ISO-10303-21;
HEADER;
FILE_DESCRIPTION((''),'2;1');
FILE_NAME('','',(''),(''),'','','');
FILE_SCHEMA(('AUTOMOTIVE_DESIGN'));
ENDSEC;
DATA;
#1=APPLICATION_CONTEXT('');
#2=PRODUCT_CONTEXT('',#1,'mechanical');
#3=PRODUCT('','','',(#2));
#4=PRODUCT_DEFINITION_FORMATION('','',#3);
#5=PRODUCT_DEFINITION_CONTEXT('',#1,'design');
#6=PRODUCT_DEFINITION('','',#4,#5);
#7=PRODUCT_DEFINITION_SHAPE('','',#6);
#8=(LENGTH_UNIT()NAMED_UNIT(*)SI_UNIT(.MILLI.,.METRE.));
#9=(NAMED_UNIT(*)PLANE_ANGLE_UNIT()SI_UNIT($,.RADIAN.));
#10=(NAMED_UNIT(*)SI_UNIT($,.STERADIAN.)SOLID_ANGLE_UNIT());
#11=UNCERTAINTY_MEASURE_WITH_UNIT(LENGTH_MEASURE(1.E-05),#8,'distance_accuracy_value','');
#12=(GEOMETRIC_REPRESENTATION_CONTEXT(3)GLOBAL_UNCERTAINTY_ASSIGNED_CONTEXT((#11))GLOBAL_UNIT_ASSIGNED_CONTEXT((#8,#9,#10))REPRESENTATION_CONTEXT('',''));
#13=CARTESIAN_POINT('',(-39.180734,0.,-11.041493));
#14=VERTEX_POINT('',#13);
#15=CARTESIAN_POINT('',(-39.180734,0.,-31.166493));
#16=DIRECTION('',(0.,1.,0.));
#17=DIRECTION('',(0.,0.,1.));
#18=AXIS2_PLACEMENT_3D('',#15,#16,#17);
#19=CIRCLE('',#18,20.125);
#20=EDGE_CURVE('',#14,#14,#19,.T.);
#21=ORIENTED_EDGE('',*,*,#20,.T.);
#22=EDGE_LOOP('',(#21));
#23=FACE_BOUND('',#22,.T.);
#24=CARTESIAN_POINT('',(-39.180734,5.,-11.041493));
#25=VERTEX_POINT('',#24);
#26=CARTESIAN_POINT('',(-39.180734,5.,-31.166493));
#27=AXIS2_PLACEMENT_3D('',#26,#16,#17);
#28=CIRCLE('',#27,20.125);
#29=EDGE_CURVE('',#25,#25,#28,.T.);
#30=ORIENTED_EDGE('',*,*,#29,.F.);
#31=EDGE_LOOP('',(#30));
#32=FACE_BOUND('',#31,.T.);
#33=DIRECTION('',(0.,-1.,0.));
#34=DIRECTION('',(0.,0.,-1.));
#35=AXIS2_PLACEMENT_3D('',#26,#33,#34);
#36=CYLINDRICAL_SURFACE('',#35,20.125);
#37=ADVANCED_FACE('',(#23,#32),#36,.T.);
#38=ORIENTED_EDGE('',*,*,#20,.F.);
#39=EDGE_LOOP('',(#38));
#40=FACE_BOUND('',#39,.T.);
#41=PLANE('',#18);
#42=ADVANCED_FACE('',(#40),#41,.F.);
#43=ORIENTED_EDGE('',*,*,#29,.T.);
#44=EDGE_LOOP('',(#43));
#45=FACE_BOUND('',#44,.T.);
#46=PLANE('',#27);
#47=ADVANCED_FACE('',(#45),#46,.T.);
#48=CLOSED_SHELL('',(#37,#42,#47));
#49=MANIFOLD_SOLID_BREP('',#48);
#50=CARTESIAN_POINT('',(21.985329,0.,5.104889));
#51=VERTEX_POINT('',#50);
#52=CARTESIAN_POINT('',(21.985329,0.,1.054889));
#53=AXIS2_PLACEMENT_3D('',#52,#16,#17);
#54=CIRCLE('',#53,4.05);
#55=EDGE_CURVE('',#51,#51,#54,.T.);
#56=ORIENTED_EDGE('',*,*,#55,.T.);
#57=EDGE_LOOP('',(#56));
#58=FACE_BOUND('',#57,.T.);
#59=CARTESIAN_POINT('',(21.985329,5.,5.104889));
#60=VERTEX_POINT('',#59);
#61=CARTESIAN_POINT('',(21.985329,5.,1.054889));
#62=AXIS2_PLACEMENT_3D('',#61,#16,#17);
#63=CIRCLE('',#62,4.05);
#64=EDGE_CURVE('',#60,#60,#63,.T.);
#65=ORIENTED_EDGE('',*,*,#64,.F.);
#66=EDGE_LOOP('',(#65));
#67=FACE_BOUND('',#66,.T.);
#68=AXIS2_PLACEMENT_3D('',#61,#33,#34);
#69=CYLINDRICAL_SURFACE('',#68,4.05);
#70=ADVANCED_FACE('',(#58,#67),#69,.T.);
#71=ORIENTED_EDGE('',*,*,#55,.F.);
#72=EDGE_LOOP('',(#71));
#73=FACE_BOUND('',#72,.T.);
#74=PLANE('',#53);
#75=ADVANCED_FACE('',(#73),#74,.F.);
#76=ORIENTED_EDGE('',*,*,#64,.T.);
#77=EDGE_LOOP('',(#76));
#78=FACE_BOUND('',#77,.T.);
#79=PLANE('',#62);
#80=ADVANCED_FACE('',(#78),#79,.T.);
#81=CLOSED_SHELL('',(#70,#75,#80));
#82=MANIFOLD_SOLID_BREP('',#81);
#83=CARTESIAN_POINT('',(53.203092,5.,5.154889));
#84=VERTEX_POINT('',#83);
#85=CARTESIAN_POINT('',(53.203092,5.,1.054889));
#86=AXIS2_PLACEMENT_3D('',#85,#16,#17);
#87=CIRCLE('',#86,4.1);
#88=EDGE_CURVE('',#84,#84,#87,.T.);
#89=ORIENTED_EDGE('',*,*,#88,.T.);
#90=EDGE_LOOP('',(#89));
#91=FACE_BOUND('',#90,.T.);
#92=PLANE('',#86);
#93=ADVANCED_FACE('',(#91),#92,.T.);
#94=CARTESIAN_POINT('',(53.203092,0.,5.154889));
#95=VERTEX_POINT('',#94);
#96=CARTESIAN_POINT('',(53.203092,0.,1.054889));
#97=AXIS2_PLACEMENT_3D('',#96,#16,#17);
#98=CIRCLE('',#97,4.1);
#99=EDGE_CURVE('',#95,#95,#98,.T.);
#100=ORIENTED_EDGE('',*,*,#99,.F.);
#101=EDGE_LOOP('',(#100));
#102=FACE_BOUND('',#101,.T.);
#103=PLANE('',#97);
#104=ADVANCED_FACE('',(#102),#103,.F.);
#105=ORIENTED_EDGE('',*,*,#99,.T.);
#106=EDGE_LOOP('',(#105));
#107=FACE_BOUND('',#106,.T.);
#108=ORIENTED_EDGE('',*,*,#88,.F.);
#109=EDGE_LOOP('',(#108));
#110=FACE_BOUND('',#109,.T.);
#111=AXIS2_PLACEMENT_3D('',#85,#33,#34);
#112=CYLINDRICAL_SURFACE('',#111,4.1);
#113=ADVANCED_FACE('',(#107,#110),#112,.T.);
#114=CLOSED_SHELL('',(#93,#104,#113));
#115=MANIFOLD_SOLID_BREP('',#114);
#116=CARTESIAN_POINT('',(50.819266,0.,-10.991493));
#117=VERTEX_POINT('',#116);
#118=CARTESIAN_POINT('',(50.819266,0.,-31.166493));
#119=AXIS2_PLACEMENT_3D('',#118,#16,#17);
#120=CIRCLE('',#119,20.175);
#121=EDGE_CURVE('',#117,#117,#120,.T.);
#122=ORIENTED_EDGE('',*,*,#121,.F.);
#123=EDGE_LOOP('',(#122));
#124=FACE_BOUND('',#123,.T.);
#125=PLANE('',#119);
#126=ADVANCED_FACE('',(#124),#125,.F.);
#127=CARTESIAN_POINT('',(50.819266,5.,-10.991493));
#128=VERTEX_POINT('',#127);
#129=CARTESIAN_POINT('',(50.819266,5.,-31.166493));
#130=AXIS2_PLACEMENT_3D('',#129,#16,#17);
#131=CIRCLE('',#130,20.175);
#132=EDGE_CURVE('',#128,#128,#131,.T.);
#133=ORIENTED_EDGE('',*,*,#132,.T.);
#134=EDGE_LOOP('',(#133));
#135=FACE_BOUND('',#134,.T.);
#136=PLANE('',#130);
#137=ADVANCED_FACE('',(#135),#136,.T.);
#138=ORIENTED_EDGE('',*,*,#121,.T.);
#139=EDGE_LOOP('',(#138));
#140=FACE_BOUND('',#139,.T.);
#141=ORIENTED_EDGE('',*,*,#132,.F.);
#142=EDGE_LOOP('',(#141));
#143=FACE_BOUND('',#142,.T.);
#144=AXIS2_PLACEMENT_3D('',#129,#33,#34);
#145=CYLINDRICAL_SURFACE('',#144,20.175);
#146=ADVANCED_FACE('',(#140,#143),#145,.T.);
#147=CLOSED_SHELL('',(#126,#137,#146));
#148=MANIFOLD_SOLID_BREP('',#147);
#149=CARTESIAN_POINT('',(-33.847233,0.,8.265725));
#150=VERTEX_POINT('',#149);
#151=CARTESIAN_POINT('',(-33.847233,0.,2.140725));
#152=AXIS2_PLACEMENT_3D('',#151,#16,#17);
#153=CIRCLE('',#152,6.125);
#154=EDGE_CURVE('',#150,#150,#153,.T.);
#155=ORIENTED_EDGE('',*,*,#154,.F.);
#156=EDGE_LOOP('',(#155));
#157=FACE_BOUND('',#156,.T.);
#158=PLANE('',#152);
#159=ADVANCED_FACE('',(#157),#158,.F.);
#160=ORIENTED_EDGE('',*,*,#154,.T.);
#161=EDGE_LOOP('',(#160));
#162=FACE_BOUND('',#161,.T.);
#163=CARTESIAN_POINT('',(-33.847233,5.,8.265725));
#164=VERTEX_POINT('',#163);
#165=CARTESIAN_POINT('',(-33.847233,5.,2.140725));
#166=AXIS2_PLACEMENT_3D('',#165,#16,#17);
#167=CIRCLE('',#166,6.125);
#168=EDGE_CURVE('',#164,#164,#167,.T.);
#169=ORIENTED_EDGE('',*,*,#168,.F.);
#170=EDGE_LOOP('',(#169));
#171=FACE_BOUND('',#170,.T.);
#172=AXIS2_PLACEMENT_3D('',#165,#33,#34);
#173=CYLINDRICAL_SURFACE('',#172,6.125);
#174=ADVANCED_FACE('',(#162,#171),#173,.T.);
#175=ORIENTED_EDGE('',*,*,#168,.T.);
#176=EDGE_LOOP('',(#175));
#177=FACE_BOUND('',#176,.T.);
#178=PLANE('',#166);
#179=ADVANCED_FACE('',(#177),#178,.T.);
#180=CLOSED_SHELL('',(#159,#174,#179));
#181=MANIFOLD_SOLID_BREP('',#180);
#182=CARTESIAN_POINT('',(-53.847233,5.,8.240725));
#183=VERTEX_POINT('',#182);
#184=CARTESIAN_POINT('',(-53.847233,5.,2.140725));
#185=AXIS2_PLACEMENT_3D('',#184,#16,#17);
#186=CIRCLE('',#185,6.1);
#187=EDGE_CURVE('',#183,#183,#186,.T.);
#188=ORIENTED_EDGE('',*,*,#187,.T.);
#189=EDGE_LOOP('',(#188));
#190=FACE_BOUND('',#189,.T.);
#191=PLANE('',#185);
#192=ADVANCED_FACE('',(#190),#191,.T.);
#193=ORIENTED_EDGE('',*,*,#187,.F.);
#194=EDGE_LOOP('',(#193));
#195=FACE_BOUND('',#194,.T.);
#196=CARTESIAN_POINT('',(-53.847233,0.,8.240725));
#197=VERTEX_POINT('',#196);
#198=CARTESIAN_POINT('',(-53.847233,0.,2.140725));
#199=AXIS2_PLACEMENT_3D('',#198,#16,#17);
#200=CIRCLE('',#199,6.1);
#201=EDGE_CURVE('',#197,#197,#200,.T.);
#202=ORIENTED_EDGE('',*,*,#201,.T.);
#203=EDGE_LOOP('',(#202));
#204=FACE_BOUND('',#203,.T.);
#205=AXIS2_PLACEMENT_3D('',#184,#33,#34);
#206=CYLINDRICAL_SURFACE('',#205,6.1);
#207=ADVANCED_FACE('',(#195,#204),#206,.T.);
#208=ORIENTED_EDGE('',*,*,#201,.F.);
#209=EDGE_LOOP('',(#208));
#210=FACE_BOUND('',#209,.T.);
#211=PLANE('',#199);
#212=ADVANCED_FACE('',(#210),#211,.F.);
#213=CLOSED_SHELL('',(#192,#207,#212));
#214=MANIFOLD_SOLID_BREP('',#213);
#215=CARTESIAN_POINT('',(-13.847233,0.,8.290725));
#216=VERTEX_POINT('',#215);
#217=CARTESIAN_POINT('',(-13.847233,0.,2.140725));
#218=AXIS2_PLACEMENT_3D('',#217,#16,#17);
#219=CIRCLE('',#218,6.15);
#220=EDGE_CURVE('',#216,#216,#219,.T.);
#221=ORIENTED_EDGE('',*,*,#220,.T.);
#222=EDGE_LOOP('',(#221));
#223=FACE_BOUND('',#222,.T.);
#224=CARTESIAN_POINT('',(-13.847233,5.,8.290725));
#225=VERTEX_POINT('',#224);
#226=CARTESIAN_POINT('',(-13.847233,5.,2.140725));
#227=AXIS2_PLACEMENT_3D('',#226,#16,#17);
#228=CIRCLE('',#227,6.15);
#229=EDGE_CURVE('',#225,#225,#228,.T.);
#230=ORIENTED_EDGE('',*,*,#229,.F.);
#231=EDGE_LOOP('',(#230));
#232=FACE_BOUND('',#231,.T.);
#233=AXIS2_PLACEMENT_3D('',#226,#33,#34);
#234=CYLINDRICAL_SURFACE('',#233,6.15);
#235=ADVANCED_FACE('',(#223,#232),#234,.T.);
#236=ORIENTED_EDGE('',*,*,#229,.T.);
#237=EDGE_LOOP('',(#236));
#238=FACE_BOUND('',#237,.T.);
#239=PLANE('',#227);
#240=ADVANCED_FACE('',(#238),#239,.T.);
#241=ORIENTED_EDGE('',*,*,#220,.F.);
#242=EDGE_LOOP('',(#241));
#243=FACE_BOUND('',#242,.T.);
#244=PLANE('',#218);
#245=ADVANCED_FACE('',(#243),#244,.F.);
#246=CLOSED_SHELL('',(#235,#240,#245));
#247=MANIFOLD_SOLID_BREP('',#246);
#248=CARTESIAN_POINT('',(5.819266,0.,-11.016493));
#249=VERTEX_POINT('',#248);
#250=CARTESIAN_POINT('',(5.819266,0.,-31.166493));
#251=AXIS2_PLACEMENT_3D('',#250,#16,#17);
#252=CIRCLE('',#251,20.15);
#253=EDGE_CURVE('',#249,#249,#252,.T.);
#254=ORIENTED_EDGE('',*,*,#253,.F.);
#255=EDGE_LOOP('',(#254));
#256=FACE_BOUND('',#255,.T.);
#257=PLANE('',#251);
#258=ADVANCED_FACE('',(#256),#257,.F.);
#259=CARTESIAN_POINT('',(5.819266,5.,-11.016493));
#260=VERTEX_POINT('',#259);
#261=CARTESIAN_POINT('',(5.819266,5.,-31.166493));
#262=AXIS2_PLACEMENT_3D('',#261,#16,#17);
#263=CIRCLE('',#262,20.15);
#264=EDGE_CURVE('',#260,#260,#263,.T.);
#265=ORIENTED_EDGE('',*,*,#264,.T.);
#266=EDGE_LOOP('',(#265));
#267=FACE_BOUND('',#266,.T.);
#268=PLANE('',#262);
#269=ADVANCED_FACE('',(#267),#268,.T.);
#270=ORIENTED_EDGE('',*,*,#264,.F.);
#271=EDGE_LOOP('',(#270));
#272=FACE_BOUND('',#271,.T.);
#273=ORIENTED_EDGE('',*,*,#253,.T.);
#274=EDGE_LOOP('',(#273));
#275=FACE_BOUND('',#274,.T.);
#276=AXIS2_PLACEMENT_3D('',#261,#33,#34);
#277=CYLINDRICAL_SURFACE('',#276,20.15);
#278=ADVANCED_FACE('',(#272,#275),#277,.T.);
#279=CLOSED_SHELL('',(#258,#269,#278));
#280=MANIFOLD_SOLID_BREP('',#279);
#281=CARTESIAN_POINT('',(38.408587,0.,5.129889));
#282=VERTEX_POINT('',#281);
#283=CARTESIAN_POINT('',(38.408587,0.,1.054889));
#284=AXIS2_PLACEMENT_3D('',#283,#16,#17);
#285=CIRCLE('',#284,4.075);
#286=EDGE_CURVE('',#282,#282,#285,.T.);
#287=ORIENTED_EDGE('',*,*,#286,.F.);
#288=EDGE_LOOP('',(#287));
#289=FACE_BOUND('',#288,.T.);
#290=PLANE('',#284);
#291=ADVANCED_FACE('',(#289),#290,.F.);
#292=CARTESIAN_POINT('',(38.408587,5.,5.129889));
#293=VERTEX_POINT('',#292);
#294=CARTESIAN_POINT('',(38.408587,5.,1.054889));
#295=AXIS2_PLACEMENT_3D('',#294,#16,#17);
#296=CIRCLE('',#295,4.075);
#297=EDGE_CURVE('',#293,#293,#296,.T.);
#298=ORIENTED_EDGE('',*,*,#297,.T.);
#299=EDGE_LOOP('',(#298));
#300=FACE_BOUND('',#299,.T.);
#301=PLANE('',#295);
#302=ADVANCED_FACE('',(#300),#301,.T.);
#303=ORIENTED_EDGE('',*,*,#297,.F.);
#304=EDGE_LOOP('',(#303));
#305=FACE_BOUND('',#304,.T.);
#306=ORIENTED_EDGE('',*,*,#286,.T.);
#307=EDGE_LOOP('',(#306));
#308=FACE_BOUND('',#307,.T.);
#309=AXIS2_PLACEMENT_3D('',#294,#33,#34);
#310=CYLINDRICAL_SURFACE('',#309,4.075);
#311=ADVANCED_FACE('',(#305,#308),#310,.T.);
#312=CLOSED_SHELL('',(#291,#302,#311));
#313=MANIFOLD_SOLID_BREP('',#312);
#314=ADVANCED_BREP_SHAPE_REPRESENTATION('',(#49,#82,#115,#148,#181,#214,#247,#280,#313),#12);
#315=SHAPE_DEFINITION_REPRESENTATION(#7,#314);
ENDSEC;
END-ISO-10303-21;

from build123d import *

# Parameters (mm, degrees)
SKETCH1_R             = 20.125
BOSS_EXTRUDE1_DEPTH   = 5
SKETCH1_R_2           = 20.15
BOSS_EXTRUDE1_2_DEPTH = 5
SKETCH1_R_3           = 20.175
BOSS_EXTRUDE1_3_DEPTH = 5
SKETCH1_R_4           = 6.1
BOSS_EXTRUDE1_4_DEPTH = 5
SKETCH1_R_5           = 6.125
BOSS_EXTRUDE1_5_DEPTH = 5
SKETCH1_R_6           = 6.15
BOSS_EXTRUDE1_6_DEPTH = 5
SKETCH1_R_7           = 4.05
BOSS_EXTRUDE1_7_DEPTH = 5
SKETCH1_R_8           = 4.075
BOSS_EXTRUDE1_8_DEPTH = 5
SKETCH1_R_9           = 4.1
BOSS_EXTRUDE1_9_DEPTH = 5


with BuildPart() as part:
    # Sketch1 → Boss-Extrude1 (new body)
    with BuildSketch(Plane(origin=(0, 0, 0), x_dir=(1, 0, 0), z_dir=(0, 1, 0))):
        with Locations(Location((-39.180734063, 31.166493004, 0), (0, 0, 270))):
            Circle(SKETCH1_R)
    extrude(amount=BOSS_EXTRUDE1_DEPTH)


with BuildPart() as body_2:
    # Sketch1 → Boss-Extrude1 2 (new body)
    with BuildSketch(Plane(origin=(0, 0, 0), x_dir=(1, 0, 0), z_dir=(0, 1, 0))):
        with Locations(Location((5.819265937, 31.166493004, 0), (0, 0, 270))):
            Circle(SKETCH1_R_2)
    extrude(amount=BOSS_EXTRUDE1_2_DEPTH)


with BuildPart() as body_3:
    # Sketch1 → Boss-Extrude1 3 (new body)
    with BuildSketch(Plane(origin=(0, 0, 0), x_dir=(1, 0, 0), z_dir=(0, 1, 0))):
        with Locations(Location((50.819265937, 31.166493004, 0), (0, 0, 270))):
            Circle(SKETCH1_R_3)
    extrude(amount=BOSS_EXTRUDE1_3_DEPTH)


with BuildPart() as body_4:
    # Sketch1 → Boss-Extrude1 4 (new body)
    with BuildSketch(Plane(origin=(0, 0, 0), x_dir=(1, 0, 0), z_dir=(0, 1, 0))):
        with Locations(Location((-53.84723252, -2.140724535, 0), (0, 0, 270))):
            Circle(SKETCH1_R_4)
    extrude(amount=BOSS_EXTRUDE1_4_DEPTH)


with BuildPart() as body_5:
    # Sketch1 → Boss-Extrude1 5 (new body)
    with BuildSketch(Plane(origin=(0, 0, 0), x_dir=(1, 0, 0), z_dir=(0, 1, 0))):
        with Locations(Location((-33.84723252, -2.140724535, 0), (0, 0, 270))):
            Circle(SKETCH1_R_5)
    extrude(amount=BOSS_EXTRUDE1_5_DEPTH)


with BuildPart() as body_6:
    # Sketch1 → Boss-Extrude1 6 (new body)
    with BuildSketch(Plane(origin=(0, 0, 0), x_dir=(1, 0, 0), z_dir=(0, 1, 0))):
        with Locations(Location((-13.84723252, -2.140724535, 0), (0, 0, 270))):
            Circle(SKETCH1_R_6)
    extrude(amount=BOSS_EXTRUDE1_6_DEPTH)


with BuildPart() as body_7:
    # Sketch1 → Boss-Extrude1 7 (new body)
    with BuildSketch(Plane(origin=(0, 0, 0), x_dir=(1, 0, 0), z_dir=(0, 1, 0))):
        with Locations(Location((21.98532932, -1.054889327, 0), (0, 0, 270))):
            Circle(SKETCH1_R_7)
    extrude(amount=BOSS_EXTRUDE1_7_DEPTH)


with BuildPart() as body_8:
    # Sketch1 → Boss-Extrude1 8 (new body)
    with BuildSketch(Plane(origin=(0, 0, 0), x_dir=(1, 0, 0), z_dir=(0, 1, 0))):
        with Locations(Location((38.40858683, -1.054889327, 0), (0, 0, 270))):
            Circle(SKETCH1_R_8)
    extrude(amount=BOSS_EXTRUDE1_8_DEPTH)


with BuildPart() as body_9:
    # Sketch1 → Boss-Extrude1 9 (new body)
    with BuildSketch(Plane(origin=(0, 0, 0), x_dir=(1, 0, 0), z_dir=(0, 1, 0))):
        with Locations(Location((53.203091529, -1.054889327, 0), (0, 0, 270))):
            Circle(SKETCH1_R_9)
    extrude(amount=BOSS_EXTRUDE1_9_DEPTH)


solid = Compound([part.part, body_2.part, body_3.part, body_4.part, body_5.part, body_6.part, body_7.part, body_8.part, body_9.part])
